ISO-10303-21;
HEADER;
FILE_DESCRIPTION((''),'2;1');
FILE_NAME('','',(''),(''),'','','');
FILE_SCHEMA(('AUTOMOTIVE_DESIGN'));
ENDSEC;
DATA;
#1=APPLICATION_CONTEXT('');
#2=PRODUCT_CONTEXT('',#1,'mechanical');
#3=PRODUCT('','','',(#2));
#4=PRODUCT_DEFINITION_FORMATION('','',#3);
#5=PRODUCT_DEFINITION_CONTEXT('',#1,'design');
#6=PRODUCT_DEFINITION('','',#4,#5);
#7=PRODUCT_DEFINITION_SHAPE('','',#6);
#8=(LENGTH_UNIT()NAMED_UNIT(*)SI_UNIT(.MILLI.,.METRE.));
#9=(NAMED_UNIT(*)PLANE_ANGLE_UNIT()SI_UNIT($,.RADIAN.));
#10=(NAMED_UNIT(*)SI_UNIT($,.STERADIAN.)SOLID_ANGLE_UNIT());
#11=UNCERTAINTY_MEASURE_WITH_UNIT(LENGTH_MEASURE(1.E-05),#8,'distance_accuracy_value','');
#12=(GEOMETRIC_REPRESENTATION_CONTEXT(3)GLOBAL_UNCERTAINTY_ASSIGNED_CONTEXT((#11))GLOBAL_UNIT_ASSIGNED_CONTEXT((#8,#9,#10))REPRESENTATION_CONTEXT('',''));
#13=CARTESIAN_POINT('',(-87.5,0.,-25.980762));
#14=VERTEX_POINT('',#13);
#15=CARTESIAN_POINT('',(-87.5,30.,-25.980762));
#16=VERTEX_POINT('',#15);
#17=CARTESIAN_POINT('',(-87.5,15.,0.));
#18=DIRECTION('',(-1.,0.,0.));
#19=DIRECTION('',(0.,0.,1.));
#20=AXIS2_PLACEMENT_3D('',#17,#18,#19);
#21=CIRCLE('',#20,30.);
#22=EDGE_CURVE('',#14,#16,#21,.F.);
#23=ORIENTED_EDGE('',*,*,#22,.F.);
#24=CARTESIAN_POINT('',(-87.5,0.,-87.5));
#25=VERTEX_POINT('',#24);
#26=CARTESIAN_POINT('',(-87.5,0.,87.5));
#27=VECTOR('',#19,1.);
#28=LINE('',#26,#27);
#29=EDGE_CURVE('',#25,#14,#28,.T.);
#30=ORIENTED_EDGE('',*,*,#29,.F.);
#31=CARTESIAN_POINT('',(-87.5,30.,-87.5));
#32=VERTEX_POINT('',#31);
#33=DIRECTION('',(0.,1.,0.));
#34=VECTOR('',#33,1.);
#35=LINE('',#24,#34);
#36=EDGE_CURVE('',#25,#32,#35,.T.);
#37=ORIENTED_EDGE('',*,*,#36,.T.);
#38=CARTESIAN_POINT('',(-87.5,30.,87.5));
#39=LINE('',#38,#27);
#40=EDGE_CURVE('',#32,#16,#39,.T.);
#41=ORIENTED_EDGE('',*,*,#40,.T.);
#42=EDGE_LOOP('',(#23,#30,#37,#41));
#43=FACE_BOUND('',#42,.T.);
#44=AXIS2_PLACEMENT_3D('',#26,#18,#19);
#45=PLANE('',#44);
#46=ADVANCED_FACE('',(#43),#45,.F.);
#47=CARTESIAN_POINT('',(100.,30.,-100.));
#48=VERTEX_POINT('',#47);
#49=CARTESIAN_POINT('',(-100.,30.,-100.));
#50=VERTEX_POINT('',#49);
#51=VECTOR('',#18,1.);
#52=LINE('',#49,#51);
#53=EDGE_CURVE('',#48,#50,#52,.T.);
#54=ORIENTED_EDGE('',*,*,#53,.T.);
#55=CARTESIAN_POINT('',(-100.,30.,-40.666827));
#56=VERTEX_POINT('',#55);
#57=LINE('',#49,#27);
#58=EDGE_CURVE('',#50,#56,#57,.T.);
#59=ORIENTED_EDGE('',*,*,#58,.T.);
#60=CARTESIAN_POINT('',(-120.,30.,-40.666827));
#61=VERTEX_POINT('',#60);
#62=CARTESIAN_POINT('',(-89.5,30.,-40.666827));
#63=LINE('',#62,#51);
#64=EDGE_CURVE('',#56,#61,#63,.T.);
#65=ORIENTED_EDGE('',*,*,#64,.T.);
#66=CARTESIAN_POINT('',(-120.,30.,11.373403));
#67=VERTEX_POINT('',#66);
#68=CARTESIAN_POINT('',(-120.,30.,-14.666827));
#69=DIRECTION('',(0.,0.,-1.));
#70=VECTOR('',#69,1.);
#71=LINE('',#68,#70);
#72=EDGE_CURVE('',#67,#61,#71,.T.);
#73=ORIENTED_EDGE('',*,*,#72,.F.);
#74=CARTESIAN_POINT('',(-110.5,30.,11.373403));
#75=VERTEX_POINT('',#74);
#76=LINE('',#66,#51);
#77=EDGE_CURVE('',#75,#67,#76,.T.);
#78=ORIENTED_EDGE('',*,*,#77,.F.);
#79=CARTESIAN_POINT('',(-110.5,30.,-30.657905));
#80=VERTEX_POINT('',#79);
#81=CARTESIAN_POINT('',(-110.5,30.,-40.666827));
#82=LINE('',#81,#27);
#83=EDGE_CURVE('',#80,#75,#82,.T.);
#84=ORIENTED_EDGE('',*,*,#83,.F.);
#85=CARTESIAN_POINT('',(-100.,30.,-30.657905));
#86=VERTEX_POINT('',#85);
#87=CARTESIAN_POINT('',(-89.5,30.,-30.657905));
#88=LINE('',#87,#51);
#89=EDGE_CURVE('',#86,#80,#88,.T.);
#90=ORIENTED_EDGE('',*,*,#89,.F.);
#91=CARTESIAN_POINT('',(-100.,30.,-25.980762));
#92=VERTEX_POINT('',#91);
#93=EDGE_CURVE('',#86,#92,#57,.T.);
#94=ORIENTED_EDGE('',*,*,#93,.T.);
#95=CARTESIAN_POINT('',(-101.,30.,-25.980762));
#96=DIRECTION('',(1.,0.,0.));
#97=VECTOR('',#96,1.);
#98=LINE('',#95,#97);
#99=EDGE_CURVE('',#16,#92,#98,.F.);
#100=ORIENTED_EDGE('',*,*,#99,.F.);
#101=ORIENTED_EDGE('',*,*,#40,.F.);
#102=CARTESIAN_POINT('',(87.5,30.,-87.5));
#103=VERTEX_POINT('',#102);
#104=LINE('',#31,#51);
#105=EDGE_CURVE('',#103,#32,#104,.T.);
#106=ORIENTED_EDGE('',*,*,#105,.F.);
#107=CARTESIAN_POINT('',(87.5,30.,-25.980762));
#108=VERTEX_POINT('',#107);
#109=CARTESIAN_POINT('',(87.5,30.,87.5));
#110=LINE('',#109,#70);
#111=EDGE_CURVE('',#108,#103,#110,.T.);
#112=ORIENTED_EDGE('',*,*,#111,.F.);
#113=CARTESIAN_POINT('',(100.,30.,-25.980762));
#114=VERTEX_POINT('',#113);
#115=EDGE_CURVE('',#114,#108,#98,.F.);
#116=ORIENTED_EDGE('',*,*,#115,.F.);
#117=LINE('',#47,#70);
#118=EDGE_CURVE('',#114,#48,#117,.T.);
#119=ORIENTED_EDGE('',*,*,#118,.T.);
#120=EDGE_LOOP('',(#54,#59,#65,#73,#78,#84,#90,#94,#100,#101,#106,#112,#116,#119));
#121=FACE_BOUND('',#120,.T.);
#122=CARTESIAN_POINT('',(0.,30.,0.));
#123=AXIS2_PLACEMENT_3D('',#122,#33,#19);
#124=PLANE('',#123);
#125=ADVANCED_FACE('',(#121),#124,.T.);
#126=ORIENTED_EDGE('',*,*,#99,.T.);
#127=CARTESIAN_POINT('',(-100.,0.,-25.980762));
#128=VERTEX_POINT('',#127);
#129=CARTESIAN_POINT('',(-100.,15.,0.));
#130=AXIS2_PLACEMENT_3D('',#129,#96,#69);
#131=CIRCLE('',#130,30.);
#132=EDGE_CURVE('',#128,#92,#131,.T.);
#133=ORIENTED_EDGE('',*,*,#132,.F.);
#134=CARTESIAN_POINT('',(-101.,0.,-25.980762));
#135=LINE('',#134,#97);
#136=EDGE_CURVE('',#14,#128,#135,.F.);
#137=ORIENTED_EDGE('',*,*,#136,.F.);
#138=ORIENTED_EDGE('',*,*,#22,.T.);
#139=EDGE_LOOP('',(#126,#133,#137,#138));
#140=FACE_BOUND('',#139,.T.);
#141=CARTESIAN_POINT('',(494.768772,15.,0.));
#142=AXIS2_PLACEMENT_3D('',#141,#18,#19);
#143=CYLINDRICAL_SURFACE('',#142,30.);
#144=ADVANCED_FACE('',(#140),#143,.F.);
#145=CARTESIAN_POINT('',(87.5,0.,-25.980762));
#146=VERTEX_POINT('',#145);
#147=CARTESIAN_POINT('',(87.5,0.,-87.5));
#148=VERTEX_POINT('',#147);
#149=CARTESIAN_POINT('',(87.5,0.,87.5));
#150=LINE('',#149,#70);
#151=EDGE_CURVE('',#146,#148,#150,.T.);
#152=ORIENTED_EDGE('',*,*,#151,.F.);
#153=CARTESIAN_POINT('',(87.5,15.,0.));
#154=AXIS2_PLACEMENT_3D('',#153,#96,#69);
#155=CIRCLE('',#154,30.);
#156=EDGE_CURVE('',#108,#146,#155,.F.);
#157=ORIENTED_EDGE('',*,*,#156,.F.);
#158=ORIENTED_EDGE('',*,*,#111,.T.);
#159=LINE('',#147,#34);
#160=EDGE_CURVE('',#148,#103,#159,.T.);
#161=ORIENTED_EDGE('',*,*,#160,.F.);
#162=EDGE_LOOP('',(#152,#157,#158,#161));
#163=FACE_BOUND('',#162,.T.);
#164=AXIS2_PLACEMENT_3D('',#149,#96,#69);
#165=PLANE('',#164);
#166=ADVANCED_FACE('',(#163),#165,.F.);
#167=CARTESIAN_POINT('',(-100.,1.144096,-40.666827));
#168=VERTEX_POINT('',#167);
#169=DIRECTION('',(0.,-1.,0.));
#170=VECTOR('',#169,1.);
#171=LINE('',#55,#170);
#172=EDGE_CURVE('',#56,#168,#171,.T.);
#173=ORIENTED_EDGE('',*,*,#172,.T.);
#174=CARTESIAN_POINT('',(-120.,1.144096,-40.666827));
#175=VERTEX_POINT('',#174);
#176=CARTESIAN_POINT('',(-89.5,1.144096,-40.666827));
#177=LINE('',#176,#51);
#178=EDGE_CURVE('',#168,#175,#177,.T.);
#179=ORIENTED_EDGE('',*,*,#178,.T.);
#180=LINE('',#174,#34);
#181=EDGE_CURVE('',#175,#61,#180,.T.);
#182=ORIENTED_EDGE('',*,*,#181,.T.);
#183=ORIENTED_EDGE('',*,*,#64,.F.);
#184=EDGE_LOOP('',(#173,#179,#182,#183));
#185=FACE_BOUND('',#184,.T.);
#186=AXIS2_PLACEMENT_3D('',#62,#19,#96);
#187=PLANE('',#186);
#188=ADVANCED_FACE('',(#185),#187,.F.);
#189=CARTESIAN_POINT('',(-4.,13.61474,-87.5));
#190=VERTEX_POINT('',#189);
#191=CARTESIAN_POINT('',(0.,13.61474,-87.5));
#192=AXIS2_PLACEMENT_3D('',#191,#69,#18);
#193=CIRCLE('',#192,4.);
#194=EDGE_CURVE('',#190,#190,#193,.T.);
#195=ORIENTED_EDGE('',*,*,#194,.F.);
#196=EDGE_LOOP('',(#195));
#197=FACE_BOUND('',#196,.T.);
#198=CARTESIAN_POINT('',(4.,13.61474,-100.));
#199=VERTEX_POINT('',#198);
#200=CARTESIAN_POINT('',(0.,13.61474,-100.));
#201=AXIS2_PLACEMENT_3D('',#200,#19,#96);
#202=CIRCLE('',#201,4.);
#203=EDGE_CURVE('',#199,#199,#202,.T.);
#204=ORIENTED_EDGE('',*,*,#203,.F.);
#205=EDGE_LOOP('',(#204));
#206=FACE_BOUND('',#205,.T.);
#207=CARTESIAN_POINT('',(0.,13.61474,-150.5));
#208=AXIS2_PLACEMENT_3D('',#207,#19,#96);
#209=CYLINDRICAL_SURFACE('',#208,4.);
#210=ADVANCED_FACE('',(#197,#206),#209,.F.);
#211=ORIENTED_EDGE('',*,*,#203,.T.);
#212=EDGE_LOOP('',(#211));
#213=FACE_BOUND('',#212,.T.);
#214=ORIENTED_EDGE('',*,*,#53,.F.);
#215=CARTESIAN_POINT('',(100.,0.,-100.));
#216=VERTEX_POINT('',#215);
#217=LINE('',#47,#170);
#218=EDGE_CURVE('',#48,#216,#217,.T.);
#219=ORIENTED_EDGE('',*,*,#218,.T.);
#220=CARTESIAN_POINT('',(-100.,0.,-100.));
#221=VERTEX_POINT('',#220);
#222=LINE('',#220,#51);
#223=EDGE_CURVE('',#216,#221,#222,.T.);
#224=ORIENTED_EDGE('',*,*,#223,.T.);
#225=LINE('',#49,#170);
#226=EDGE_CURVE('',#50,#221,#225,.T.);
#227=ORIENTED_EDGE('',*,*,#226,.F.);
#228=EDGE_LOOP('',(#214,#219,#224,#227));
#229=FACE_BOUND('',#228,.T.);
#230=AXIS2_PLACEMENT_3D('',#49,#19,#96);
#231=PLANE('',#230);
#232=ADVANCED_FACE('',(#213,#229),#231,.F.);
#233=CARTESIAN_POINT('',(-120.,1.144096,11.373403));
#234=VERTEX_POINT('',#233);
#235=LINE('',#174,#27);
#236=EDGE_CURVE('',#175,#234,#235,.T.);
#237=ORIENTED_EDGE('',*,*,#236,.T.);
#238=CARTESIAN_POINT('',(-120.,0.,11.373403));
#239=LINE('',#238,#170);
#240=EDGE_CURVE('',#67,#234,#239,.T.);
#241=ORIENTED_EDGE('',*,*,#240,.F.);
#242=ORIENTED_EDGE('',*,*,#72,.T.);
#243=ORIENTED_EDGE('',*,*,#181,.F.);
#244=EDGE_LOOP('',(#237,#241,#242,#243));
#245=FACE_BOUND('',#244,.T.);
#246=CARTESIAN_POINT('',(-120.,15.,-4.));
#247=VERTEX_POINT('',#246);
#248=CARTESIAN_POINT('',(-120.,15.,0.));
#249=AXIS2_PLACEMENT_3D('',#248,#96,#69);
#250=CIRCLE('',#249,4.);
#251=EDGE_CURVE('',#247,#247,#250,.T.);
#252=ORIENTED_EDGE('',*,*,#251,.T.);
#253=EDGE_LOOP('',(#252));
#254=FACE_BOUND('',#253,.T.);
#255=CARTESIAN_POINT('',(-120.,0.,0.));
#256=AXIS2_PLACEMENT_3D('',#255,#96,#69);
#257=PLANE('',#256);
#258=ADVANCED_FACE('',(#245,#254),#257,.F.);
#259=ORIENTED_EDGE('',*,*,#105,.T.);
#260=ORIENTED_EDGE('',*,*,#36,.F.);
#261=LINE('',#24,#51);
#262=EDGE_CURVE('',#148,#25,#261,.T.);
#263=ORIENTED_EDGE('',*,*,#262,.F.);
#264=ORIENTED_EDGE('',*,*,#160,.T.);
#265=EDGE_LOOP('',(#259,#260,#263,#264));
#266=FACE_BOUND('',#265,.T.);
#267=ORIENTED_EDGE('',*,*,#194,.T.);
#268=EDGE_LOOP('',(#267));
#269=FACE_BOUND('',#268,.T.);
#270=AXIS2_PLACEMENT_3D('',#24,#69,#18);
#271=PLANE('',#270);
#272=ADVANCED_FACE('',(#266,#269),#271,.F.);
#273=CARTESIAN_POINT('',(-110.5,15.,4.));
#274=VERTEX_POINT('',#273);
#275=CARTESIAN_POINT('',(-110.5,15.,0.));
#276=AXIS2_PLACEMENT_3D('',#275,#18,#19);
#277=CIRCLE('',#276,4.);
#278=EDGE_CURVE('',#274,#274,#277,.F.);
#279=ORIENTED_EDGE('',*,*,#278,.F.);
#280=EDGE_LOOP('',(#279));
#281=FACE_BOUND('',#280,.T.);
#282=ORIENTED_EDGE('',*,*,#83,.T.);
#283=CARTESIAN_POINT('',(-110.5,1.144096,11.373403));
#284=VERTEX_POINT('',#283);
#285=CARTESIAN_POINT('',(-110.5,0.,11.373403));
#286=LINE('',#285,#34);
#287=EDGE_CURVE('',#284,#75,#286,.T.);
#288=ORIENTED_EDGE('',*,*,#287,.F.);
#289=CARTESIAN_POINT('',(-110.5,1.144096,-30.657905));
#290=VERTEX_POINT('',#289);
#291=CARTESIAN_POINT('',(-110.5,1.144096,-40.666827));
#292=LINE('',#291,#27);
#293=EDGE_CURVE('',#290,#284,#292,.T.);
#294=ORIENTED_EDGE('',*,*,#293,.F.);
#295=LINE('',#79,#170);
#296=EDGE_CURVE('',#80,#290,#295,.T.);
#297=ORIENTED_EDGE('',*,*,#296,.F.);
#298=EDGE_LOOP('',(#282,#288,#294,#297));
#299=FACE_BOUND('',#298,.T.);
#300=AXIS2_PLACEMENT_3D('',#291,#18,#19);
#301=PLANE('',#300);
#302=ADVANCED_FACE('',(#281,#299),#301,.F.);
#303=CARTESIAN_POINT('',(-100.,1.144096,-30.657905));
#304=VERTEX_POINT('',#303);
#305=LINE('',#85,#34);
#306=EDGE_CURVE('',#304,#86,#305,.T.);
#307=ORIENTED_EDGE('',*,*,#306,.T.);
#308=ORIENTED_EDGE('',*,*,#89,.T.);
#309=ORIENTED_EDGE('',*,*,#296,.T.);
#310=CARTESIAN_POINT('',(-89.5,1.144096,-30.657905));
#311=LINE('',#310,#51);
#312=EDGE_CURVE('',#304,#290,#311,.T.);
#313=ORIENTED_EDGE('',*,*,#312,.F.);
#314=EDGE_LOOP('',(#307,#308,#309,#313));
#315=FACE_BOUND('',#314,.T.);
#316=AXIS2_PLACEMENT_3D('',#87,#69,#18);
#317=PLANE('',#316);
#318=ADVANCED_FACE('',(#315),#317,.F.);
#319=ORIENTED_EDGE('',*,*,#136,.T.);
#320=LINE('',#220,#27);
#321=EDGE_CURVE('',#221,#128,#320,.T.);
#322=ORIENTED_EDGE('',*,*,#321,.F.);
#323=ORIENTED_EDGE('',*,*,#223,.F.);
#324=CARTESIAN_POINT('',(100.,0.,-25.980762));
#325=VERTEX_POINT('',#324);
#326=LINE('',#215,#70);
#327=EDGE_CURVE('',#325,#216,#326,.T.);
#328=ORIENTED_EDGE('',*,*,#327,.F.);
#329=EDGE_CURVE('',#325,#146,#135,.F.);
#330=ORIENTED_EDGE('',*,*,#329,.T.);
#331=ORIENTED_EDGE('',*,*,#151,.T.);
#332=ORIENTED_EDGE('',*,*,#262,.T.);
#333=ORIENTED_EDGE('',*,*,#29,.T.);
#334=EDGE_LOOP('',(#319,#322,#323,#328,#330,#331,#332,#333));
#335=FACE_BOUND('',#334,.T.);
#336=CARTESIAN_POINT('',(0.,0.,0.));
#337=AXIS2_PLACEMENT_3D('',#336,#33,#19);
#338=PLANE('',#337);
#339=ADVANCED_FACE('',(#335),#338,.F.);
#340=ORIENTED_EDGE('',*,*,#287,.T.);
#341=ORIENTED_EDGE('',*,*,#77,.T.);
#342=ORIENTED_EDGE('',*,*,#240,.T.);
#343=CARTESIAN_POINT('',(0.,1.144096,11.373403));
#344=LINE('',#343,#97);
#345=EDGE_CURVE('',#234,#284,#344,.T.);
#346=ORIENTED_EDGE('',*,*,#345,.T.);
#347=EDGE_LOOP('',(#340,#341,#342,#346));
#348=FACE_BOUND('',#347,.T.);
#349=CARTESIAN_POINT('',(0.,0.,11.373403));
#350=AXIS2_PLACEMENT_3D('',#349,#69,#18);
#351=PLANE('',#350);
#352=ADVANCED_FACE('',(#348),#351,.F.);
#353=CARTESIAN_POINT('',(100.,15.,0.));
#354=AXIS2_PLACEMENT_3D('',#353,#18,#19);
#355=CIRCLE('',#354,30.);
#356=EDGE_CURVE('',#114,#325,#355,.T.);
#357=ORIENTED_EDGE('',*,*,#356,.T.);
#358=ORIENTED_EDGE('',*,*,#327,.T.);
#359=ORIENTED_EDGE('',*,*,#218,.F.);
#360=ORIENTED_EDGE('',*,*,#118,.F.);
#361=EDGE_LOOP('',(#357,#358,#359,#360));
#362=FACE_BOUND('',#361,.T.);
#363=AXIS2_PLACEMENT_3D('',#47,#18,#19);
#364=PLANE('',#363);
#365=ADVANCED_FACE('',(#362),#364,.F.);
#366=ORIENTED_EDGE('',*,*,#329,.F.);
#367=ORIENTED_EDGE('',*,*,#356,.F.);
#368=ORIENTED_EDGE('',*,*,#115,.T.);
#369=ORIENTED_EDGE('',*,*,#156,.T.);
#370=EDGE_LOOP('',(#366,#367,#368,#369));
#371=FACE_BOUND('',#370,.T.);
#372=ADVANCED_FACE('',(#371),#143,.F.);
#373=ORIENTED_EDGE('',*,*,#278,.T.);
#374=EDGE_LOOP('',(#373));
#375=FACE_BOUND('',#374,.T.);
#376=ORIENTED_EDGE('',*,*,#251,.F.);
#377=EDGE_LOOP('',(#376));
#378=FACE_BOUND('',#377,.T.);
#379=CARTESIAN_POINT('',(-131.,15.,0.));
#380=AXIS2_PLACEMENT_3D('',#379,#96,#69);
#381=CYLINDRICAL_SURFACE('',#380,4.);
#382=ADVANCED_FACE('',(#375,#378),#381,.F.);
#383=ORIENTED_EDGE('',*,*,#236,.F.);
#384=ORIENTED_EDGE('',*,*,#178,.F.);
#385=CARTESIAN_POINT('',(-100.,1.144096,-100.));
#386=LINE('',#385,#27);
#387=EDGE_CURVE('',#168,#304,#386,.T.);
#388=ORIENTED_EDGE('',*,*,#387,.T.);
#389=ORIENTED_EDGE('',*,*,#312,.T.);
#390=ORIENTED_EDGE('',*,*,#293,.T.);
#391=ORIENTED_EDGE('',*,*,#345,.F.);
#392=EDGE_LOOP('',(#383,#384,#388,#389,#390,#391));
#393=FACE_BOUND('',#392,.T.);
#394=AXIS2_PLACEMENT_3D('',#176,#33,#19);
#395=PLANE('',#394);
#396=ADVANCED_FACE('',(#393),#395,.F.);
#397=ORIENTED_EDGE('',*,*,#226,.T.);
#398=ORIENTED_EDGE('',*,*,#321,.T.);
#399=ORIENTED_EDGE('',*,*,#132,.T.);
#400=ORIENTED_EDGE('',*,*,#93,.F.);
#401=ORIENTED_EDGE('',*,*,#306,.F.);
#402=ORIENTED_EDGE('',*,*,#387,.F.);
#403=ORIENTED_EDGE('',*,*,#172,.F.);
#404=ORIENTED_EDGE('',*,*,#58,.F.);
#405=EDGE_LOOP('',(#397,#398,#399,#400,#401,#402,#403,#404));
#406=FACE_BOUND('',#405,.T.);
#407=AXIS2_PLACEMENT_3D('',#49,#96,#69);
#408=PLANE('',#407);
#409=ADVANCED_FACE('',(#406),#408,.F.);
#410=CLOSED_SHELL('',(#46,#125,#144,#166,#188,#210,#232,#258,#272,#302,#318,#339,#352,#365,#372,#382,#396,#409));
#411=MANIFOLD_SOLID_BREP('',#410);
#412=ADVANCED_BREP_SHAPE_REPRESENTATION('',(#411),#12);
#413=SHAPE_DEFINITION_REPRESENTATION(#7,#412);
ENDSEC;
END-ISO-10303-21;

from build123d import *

# Parameters (mm, degrees)
SKETCH1_W                = 200
SKETCH1_H                = 200
BOSS_EXTRUDE1_DEPTH      = 30
SKETCH4_W                = 175
SKETCH4_H                = 175
CUT_EXTRUDE1_DEPTH       = 30
SKETCH7_R                = 4
CUT_EXTRUDE2_DEPTH       = 210
SKETCH10_W               = 6.040230253
SKETCH10_H               = 30
BOSS_EXTRUDE2_DEPTH      = 20
SKETCH11_W               = 10
SKETCH11_H               = 30
BOSS_EXTRUDE3_DEPTH      = 20
CUT_EXTRUDE3_START       = -231
SKETCH12_R               = 4
CUT_EXTRUDE3_DEPTH       = 231
SKETCH13_R               = 4
CUT_EXTRUDE5_DEPTH       = 231
SKETCH14_R               = 4
CUT_EXTRUDE6_DEPTH       = 250.5
SKETCH15_R               = 30
SKETCH15_R_2             = 22
BOSS_EXTRUDE5_DEPTH      = 201
SKETCH17_R               = 22
CUT_EXTRUDE7_DEPTH       = 201
SKETCH21_W               = 9.5
SKETCH21_H               = 28.855904386
BOSS_EXTRUDE6_DEPTH      = 26
SKETCH22_W               = 9.5
SKETCH22_H               = 6.040230253
CUT_EXTRUDE10_DEPTH      = 49
SKETCH23_W               = 10.008922512
SKETCH23_H               = 28.855904386
BOSS_EXTRUDE7_DEPTH      = 21
SKETCH24_W               = 9.5
SKETCH24_H               = 1.144095614
CUT_EXTRUDE11_DEPTH      = 27
SKETCH26_W               = 0.50137975
SKETCH26_H               = 20.893624798
CUT_EXTRUDE12_DEPTH      = 35
SKETCH27_R               = 49.192783102
CUT_EXTRUDE13_DEPTH      = 175
SKETCH28_R               = 41.209023923
CUT_EXTRUDE14_DEPTH      = 175
CUT_EXTRUDE15_DEPTH      = 246.814971066
CUT_EXTRUDE15_DEPTH_BACK = 210


with BuildPart() as part:
    # Sketch1 → Boss-Extrude1 (new body)
    with BuildSketch(Plane(origin=(0, 0, 0), x_dir=(1, 0, 0), z_dir=(0, 1, 0))):
        Rectangle(SKETCH1_W, SKETCH1_H)
    extrude(amount=BOSS_EXTRUDE1_DEPTH)

    # Sketch4 → Cut-Extrude1 (cut)
    with BuildSketch(Plane(origin=(0, 30, 0), x_dir=(1, 0, 0), z_dir=(0, 1, 0))):
        Rectangle(SKETCH4_W, SKETCH4_H)
    extrude(amount=-CUT_EXTRUDE1_DEPTH, mode=Mode.SUBTRACT)

    # Sketch7 → Cut-Extrude2 (cut)
    with BuildSketch(Plane.ZY.offset(100)):
        with Locations((0, 15)):
            Circle(SKETCH7_R)
    extrude(amount=-CUT_EXTRUDE2_DEPTH, mode=Mode.SUBTRACT)

    # Sketch10 → Boss-Extrude2 (add)
    with BuildSketch(Plane.ZY.offset(100)):
        with Locations((-11.64671233, 15)):
            Rectangle(SKETCH10_W, SKETCH10_H)
    extrude(amount=BOSS_EXTRUDE2_DEPTH)

    # Sketch11 → Boss-Extrude3 (add)
    with BuildSketch(Plane.XY.offset(-8.626597203)):
        with Locations((-115, 15)):
            Rectangle(SKETCH11_W, SKETCH11_H)
    extrude(amount=BOSS_EXTRUDE3_DEPTH)

    # Sketch12 → Cut-Extrude3 (cut)
    with BuildSketch(Plane(origin=(100, 0, 0), x_dir=(0, 0, -1), z_dir=(1, 0, 0)).offset(CUT_EXTRUDE3_START)):
        with Locations(Location((0, 15, 0), (0, 0, 180))):
            Circle(SKETCH12_R)
    extrude(amount=CUT_EXTRUDE3_DEPTH, mode=Mode.SUBTRACT)

    # Sketch13 → Cut-Extrude5 (cut)
    with BuildSketch(Plane(origin=(0, 30, 0), x_dir=(1, 0, 0), z_dir=(0, 1, 0))):
        with Locations(Location((-93.69452155, -93.045501349, 0), (0, 0, 270))):
            Circle(SKETCH13_R)
    extrude(amount=-CUT_EXTRUDE5_DEPTH, mode=Mode.SUBTRACT)

    # Sketch14 → Cut-Extrude6 (cut)
    with BuildSketch(Plane.XY.offset(100)):
        with Locations((0, 13.614739596)):
            Circle(SKETCH14_R)
    extrude(amount=-CUT_EXTRUDE6_DEPTH, mode=Mode.SUBTRACT)

    # Sketch15 → Boss-Extrude5 (add)
    with BuildSketch(Plane(origin=(100, 0, 0), x_dir=(0, 0, -1), z_dir=(1, 0, 0))):
        with Locations((0, 15)):
            Circle(SKETCH15_R)
        with Locations((0, 15)):
            Circle(SKETCH15_R_2, mode=Mode.SUBTRACT)
    extrude(amount=-BOSS_EXTRUDE5_DEPTH)

    # Sketch17 → Cut-Extrude7 (cut)
    with BuildSketch(Plane(origin=(100, 0, 0), x_dir=(0, 0, -1), z_dir=(1, 0, 0))):
        with Locations((0.074377339, 15.100772812)):
            Circle(SKETCH17_R)
    extrude(amount=-CUT_EXTRUDE7_DEPTH, mode=Mode.SUBTRACT)


with BuildPart() as cut_extrude7_piece_1:
    # of the separate pieces the step leaves, piece 1, a body of its own (cut_extrude7_pieces)
    add(part.part.solids().sort_by_distance((-100, 0, -100))[0])



with BuildPart() as cut_extrude7_piece_2:
    # of the separate pieces the step leaves, piece 2, a body of its own (cut_extrude7_pieces)
    add(part.part.solids().sort_by_distance((-101, 0, -14.666827456))[0])

    # Sketch21 → Boss-Extrude6 (add)
    with BuildSketch(Plane(origin=(0, 0, -14.666827456), x_dir=(-1, 0, 0), z_dir=(0, 0, -1))):
        with Locations((115.25, 15.572047807)):
            Rectangle(SKETCH21_W, SKETCH21_H)
    extrude(amount=BOSS_EXTRUDE6_DEPTH)

    # Sketch22 → Cut-Extrude10 (cut)
    with BuildSketch(Plane(origin=(0, 30, 0), x_dir=(1, 0, 0), z_dir=(0, 1, 0))):
        with Locations((-105.75, 11.64671233)):
            Rectangle(SKETCH22_W, SKETCH22_H)
    extrude(amount=-CUT_EXTRUDE10_DEPTH, mode=Mode.SUBTRACT)


with BuildPart() as cut_extrude7_piece_1_1:
    add(cut_extrude7_piece_1.part)

    add(cut_extrude7_piece_2.part)  # Boss-Extrude7 merges Cut-Extrude7 piece 2
    # Sketch23 → Boss-Extrude7 (add)
    with BuildSketch(Plane(origin=(-110.5, 0, 0), x_dir=(0, 0, -1), z_dir=(1, 0, 0))):
        with Locations((35.6623662, 15.572047807)):
            Rectangle(SKETCH23_W, SKETCH23_H)
    extrude(amount=BOSS_EXTRUDE7_DEPTH)

    # Sketch24 → Cut-Extrude11 (cut)
    with BuildSketch(Plane(origin=(0, 0, -14.666827456), x_dir=(-1, 0, 0), z_dir=(0, 0, -1))):
        with Locations((115.25, 0.572047807)):
            Rectangle(SKETCH24_W, SKETCH24_H)
    extrude(amount=-CUT_EXTRUDE11_DEPTH, mode=Mode.SUBTRACT)

    # Sketch26 → Cut-Extrude12 (cut)
    with BuildSketch(Plane.XZ):
        with Locations((-110.249310125, 1.820215196)):
            Rectangle(SKETCH26_W, SKETCH26_H)
    extrude(amount=-CUT_EXTRUDE12_DEPTH, mode=Mode.SUBTRACT)

    # Sketch27 → Cut-Extrude13 (cut)
    with BuildSketch(Plane(origin=(-87.5, 0, 0), x_dir=(0, 0, -1), z_dir=(1, 0, 0))):
        with Locations((-31.916352411, 15.376133278)):
            Circle(SKETCH27_R)
    extrude(amount=CUT_EXTRUDE13_DEPTH, mode=Mode.SUBTRACT)

    # Sketch28 → Cut-Extrude14 (cut)
    with BuildSketch(Plane(origin=(-87.5, 0, 0), x_dir=(0, 0, -1), z_dir=(1, 0, 0))):
        with Locations((37.762434774, 15.494435184)):
            Circle(SKETCH28_R)
    extrude(amount=CUT_EXTRUDE14_DEPTH, mode=Mode.SUBTRACT)

    # Sketch30 → Cut-Extrude15 (cut, two sides: drawn at the far end of the back side and taken through both)
    with BuildSketch(Plane(origin=(100, 0, 0), x_dir=(0, 0, -1), z_dir=(1, 0, 0)).offset(-CUT_EXTRUDE15_DEPTH_BACK)):
        with BuildLine():
            Line((-112.795739645, -240.367951942), (25.980762114, 0))
            ThreePointArc((25.980762114, 0), (30, 15), (25.980762114, 30))
            Line((25.980762114, 30), (-112.795739645, 270.367951942))
            Line((-112.795739645, 270.367951942), (-667.901746678, 270.367951942))
            Line((-667.901746678, 270.367951942), (-667.901746678, -240.367951942))
            Line((-667.901746678, -240.367951942), (-112.795739645, -240.367951942))
        make_face()
    extrude(amount=CUT_EXTRUDE15_DEPTH + CUT_EXTRUDE15_DEPTH_BACK, mode=Mode.SUBTRACT)


solid = cut_extrude7_piece_1_1.part
